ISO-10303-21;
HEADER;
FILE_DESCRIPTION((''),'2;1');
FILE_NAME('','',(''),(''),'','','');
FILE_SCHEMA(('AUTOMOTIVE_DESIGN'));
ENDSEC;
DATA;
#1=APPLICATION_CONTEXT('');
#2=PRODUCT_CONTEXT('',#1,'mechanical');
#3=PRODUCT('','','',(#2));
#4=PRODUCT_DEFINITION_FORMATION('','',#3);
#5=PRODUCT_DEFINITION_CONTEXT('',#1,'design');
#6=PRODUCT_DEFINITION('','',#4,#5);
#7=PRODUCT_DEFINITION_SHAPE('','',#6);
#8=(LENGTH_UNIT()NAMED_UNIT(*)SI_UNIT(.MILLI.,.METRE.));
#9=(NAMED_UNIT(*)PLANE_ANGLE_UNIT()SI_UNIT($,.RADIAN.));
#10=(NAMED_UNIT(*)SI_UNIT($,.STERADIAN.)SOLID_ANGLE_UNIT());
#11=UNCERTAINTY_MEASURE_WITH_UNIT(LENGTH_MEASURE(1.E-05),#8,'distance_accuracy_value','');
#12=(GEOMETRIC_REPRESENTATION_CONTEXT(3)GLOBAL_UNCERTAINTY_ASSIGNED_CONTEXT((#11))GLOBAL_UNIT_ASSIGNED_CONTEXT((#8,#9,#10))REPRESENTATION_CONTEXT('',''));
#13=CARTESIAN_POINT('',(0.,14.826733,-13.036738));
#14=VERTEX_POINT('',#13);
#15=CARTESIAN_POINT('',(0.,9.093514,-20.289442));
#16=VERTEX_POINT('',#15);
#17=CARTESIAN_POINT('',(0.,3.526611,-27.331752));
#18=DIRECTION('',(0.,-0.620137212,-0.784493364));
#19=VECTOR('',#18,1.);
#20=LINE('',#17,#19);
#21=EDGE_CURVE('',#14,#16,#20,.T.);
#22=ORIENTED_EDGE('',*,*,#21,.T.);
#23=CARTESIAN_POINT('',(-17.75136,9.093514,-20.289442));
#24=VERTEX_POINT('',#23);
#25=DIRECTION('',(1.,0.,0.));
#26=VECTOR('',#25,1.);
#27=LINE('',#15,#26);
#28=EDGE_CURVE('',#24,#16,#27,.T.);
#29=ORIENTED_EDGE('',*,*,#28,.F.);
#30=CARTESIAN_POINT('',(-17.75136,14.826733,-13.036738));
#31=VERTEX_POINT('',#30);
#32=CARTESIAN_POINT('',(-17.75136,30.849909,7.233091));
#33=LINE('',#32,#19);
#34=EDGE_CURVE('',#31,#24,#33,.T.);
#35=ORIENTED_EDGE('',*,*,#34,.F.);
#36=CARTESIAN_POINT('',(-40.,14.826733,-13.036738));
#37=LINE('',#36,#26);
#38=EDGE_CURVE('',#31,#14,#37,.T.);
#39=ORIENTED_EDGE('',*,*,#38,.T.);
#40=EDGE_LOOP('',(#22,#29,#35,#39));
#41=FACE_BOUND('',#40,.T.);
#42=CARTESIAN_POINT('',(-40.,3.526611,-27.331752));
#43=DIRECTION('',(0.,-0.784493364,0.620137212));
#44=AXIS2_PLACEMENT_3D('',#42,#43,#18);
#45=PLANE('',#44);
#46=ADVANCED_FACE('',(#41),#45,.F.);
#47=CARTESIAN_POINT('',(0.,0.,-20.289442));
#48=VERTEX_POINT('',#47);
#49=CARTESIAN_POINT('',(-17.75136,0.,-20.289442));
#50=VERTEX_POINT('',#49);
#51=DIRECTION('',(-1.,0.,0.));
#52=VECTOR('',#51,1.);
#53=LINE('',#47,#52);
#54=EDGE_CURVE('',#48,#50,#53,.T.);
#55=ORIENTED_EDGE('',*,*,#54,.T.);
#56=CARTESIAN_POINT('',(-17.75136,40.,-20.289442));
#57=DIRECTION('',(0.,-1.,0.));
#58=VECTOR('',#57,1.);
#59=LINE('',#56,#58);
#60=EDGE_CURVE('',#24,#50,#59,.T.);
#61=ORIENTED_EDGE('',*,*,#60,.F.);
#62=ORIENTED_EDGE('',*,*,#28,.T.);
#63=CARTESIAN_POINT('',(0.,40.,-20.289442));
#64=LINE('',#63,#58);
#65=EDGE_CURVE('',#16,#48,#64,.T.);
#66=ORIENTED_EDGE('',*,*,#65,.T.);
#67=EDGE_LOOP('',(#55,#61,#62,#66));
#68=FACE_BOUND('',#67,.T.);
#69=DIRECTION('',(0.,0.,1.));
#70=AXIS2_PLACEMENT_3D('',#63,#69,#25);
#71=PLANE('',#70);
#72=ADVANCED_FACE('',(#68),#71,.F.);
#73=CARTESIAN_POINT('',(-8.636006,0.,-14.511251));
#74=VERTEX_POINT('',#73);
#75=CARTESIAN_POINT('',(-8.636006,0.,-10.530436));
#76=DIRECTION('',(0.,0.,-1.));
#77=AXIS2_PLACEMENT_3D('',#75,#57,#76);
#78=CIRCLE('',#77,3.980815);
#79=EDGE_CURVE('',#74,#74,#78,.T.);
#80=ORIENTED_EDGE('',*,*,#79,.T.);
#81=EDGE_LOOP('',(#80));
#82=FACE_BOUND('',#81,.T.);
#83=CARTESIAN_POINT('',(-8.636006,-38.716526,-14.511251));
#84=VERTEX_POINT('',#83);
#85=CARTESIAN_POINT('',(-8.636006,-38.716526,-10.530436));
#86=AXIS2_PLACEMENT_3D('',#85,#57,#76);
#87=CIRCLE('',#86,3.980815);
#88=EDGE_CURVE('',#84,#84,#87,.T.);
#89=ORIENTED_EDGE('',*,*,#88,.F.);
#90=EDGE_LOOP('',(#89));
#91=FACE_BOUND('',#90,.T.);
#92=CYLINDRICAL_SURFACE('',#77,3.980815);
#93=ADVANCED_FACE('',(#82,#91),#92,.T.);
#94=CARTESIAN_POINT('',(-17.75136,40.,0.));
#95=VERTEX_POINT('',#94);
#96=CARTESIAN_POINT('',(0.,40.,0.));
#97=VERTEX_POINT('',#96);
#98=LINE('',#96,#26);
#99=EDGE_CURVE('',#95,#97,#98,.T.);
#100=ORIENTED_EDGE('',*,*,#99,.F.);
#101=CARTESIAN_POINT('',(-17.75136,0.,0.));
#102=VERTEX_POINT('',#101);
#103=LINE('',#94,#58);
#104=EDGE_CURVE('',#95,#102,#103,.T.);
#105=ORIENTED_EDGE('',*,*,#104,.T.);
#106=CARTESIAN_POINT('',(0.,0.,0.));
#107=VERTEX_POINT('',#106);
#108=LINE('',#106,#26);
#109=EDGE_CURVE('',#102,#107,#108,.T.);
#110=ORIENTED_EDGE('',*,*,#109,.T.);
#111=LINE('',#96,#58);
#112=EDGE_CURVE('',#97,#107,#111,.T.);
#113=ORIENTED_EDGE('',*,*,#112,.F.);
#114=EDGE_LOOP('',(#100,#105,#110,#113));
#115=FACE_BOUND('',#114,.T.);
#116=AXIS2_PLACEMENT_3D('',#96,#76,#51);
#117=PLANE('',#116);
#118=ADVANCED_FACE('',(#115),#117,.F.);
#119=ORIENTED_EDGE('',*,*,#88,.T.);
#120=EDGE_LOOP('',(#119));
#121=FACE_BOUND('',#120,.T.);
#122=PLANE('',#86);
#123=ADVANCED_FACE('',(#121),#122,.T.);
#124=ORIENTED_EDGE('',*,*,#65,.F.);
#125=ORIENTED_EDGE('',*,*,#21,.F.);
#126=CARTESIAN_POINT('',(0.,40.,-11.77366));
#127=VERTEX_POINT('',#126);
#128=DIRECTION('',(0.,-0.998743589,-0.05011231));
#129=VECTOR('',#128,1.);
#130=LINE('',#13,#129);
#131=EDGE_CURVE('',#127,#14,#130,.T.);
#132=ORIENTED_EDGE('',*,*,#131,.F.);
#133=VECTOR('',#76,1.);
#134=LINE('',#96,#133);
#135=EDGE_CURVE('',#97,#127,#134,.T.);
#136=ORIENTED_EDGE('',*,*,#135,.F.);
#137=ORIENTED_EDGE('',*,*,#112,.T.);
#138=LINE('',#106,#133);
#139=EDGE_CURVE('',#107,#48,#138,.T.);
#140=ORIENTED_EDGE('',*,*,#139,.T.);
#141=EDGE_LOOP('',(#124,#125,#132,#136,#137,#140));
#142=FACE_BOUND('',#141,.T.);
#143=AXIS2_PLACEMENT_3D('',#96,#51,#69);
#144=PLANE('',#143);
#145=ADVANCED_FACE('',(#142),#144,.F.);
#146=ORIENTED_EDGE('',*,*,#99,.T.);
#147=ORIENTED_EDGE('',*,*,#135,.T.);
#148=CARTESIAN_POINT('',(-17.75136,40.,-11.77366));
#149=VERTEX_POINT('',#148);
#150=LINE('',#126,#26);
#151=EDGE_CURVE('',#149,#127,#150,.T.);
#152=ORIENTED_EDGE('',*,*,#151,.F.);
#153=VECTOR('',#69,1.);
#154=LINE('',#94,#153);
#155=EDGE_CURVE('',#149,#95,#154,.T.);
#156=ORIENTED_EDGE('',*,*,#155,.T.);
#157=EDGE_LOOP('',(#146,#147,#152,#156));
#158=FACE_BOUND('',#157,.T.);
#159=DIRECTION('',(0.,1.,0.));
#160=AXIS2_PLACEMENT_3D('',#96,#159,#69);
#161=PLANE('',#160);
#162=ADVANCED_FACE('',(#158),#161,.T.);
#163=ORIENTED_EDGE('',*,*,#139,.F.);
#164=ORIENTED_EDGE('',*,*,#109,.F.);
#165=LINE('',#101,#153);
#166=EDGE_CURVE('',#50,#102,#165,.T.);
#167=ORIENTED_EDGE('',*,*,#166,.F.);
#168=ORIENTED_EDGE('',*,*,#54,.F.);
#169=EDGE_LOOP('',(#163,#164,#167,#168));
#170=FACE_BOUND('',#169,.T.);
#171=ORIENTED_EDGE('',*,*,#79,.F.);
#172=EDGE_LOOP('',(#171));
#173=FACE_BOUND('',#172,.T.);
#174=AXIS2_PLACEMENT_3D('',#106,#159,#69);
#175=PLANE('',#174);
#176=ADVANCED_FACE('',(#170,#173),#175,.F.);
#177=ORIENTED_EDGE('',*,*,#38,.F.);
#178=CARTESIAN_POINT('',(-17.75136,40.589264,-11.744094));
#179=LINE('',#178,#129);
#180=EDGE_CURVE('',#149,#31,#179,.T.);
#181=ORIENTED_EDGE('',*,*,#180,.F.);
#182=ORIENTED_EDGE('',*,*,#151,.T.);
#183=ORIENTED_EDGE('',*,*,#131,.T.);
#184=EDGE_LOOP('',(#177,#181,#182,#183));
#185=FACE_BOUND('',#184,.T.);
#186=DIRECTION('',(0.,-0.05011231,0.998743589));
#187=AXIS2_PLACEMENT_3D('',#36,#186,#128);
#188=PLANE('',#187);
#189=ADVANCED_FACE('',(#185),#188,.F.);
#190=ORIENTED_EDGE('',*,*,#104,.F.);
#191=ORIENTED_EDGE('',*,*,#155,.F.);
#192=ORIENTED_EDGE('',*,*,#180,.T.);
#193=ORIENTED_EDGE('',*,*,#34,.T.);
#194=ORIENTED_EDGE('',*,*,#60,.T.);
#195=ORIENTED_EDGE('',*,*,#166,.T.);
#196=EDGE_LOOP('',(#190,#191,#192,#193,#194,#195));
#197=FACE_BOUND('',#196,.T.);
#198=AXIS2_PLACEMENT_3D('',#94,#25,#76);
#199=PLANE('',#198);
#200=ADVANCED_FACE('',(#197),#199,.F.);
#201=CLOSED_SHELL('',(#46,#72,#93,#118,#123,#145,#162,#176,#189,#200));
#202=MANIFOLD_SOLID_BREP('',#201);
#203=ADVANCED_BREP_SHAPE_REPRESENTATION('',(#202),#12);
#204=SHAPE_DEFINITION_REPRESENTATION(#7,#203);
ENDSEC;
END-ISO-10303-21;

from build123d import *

# Parameters (mm, degrees)
SKETCH1_W           = 17.751360412
SKETCH1_H           = 20.289442188
BOSS_EXTRUDE1_DEPTH = 40
SKETCH2_R           = 3.980814887
CUT_EXTRUDE1_DEPTH  = 40


with BuildPart() as part:
    # Sketch1 → Boss-Extrude1 (new body)
    with BuildSketch(Plane(origin=(0, 0, 0), x_dir=(1, 0, 0), z_dir=(0, 1, 0))):
        with Locations((-8.875680206, 10.144721094)):
            Rectangle(SKETCH1_W, SKETCH1_H)
    extrude(amount=BOSS_EXTRUDE1_DEPTH)

    # Sweep1: sweep along a curve in space
    with BuildLine() as sweep1_path:
        Line((-8.636006498, 0, -10.530435866), (-8.636006498, -38.716526094, -10.530435866))
    # Sketch2 → Sweep1 (sweep)
    with BuildSketch(Plane(origin=(0, 0, 0), x_dir=(-1, 0, 0), z_dir=(0, -1, 0))):
        with Locations((8.636006498, 10.530435866)):
            Circle(SKETCH2_R)
    sweep(path=sweep1_path.line)

    # Sketch3 → Cut-Extrude1 (cut)
    with BuildSketch(Plane(origin=(0, 0, 0), x_dir=(0, 0, -1), z_dir=(1, 0, 0))):
        Polygon((27.331751958, 3.526611328), (13.036737594, 14.826732859), (11.549169686, 44.474117194), (29.802797672, 42.721399119), align=None)
    extrude(amount=-CUT_EXTRUDE1_DEPTH, mode=Mode.SUBTRACT)


solid = part.part
